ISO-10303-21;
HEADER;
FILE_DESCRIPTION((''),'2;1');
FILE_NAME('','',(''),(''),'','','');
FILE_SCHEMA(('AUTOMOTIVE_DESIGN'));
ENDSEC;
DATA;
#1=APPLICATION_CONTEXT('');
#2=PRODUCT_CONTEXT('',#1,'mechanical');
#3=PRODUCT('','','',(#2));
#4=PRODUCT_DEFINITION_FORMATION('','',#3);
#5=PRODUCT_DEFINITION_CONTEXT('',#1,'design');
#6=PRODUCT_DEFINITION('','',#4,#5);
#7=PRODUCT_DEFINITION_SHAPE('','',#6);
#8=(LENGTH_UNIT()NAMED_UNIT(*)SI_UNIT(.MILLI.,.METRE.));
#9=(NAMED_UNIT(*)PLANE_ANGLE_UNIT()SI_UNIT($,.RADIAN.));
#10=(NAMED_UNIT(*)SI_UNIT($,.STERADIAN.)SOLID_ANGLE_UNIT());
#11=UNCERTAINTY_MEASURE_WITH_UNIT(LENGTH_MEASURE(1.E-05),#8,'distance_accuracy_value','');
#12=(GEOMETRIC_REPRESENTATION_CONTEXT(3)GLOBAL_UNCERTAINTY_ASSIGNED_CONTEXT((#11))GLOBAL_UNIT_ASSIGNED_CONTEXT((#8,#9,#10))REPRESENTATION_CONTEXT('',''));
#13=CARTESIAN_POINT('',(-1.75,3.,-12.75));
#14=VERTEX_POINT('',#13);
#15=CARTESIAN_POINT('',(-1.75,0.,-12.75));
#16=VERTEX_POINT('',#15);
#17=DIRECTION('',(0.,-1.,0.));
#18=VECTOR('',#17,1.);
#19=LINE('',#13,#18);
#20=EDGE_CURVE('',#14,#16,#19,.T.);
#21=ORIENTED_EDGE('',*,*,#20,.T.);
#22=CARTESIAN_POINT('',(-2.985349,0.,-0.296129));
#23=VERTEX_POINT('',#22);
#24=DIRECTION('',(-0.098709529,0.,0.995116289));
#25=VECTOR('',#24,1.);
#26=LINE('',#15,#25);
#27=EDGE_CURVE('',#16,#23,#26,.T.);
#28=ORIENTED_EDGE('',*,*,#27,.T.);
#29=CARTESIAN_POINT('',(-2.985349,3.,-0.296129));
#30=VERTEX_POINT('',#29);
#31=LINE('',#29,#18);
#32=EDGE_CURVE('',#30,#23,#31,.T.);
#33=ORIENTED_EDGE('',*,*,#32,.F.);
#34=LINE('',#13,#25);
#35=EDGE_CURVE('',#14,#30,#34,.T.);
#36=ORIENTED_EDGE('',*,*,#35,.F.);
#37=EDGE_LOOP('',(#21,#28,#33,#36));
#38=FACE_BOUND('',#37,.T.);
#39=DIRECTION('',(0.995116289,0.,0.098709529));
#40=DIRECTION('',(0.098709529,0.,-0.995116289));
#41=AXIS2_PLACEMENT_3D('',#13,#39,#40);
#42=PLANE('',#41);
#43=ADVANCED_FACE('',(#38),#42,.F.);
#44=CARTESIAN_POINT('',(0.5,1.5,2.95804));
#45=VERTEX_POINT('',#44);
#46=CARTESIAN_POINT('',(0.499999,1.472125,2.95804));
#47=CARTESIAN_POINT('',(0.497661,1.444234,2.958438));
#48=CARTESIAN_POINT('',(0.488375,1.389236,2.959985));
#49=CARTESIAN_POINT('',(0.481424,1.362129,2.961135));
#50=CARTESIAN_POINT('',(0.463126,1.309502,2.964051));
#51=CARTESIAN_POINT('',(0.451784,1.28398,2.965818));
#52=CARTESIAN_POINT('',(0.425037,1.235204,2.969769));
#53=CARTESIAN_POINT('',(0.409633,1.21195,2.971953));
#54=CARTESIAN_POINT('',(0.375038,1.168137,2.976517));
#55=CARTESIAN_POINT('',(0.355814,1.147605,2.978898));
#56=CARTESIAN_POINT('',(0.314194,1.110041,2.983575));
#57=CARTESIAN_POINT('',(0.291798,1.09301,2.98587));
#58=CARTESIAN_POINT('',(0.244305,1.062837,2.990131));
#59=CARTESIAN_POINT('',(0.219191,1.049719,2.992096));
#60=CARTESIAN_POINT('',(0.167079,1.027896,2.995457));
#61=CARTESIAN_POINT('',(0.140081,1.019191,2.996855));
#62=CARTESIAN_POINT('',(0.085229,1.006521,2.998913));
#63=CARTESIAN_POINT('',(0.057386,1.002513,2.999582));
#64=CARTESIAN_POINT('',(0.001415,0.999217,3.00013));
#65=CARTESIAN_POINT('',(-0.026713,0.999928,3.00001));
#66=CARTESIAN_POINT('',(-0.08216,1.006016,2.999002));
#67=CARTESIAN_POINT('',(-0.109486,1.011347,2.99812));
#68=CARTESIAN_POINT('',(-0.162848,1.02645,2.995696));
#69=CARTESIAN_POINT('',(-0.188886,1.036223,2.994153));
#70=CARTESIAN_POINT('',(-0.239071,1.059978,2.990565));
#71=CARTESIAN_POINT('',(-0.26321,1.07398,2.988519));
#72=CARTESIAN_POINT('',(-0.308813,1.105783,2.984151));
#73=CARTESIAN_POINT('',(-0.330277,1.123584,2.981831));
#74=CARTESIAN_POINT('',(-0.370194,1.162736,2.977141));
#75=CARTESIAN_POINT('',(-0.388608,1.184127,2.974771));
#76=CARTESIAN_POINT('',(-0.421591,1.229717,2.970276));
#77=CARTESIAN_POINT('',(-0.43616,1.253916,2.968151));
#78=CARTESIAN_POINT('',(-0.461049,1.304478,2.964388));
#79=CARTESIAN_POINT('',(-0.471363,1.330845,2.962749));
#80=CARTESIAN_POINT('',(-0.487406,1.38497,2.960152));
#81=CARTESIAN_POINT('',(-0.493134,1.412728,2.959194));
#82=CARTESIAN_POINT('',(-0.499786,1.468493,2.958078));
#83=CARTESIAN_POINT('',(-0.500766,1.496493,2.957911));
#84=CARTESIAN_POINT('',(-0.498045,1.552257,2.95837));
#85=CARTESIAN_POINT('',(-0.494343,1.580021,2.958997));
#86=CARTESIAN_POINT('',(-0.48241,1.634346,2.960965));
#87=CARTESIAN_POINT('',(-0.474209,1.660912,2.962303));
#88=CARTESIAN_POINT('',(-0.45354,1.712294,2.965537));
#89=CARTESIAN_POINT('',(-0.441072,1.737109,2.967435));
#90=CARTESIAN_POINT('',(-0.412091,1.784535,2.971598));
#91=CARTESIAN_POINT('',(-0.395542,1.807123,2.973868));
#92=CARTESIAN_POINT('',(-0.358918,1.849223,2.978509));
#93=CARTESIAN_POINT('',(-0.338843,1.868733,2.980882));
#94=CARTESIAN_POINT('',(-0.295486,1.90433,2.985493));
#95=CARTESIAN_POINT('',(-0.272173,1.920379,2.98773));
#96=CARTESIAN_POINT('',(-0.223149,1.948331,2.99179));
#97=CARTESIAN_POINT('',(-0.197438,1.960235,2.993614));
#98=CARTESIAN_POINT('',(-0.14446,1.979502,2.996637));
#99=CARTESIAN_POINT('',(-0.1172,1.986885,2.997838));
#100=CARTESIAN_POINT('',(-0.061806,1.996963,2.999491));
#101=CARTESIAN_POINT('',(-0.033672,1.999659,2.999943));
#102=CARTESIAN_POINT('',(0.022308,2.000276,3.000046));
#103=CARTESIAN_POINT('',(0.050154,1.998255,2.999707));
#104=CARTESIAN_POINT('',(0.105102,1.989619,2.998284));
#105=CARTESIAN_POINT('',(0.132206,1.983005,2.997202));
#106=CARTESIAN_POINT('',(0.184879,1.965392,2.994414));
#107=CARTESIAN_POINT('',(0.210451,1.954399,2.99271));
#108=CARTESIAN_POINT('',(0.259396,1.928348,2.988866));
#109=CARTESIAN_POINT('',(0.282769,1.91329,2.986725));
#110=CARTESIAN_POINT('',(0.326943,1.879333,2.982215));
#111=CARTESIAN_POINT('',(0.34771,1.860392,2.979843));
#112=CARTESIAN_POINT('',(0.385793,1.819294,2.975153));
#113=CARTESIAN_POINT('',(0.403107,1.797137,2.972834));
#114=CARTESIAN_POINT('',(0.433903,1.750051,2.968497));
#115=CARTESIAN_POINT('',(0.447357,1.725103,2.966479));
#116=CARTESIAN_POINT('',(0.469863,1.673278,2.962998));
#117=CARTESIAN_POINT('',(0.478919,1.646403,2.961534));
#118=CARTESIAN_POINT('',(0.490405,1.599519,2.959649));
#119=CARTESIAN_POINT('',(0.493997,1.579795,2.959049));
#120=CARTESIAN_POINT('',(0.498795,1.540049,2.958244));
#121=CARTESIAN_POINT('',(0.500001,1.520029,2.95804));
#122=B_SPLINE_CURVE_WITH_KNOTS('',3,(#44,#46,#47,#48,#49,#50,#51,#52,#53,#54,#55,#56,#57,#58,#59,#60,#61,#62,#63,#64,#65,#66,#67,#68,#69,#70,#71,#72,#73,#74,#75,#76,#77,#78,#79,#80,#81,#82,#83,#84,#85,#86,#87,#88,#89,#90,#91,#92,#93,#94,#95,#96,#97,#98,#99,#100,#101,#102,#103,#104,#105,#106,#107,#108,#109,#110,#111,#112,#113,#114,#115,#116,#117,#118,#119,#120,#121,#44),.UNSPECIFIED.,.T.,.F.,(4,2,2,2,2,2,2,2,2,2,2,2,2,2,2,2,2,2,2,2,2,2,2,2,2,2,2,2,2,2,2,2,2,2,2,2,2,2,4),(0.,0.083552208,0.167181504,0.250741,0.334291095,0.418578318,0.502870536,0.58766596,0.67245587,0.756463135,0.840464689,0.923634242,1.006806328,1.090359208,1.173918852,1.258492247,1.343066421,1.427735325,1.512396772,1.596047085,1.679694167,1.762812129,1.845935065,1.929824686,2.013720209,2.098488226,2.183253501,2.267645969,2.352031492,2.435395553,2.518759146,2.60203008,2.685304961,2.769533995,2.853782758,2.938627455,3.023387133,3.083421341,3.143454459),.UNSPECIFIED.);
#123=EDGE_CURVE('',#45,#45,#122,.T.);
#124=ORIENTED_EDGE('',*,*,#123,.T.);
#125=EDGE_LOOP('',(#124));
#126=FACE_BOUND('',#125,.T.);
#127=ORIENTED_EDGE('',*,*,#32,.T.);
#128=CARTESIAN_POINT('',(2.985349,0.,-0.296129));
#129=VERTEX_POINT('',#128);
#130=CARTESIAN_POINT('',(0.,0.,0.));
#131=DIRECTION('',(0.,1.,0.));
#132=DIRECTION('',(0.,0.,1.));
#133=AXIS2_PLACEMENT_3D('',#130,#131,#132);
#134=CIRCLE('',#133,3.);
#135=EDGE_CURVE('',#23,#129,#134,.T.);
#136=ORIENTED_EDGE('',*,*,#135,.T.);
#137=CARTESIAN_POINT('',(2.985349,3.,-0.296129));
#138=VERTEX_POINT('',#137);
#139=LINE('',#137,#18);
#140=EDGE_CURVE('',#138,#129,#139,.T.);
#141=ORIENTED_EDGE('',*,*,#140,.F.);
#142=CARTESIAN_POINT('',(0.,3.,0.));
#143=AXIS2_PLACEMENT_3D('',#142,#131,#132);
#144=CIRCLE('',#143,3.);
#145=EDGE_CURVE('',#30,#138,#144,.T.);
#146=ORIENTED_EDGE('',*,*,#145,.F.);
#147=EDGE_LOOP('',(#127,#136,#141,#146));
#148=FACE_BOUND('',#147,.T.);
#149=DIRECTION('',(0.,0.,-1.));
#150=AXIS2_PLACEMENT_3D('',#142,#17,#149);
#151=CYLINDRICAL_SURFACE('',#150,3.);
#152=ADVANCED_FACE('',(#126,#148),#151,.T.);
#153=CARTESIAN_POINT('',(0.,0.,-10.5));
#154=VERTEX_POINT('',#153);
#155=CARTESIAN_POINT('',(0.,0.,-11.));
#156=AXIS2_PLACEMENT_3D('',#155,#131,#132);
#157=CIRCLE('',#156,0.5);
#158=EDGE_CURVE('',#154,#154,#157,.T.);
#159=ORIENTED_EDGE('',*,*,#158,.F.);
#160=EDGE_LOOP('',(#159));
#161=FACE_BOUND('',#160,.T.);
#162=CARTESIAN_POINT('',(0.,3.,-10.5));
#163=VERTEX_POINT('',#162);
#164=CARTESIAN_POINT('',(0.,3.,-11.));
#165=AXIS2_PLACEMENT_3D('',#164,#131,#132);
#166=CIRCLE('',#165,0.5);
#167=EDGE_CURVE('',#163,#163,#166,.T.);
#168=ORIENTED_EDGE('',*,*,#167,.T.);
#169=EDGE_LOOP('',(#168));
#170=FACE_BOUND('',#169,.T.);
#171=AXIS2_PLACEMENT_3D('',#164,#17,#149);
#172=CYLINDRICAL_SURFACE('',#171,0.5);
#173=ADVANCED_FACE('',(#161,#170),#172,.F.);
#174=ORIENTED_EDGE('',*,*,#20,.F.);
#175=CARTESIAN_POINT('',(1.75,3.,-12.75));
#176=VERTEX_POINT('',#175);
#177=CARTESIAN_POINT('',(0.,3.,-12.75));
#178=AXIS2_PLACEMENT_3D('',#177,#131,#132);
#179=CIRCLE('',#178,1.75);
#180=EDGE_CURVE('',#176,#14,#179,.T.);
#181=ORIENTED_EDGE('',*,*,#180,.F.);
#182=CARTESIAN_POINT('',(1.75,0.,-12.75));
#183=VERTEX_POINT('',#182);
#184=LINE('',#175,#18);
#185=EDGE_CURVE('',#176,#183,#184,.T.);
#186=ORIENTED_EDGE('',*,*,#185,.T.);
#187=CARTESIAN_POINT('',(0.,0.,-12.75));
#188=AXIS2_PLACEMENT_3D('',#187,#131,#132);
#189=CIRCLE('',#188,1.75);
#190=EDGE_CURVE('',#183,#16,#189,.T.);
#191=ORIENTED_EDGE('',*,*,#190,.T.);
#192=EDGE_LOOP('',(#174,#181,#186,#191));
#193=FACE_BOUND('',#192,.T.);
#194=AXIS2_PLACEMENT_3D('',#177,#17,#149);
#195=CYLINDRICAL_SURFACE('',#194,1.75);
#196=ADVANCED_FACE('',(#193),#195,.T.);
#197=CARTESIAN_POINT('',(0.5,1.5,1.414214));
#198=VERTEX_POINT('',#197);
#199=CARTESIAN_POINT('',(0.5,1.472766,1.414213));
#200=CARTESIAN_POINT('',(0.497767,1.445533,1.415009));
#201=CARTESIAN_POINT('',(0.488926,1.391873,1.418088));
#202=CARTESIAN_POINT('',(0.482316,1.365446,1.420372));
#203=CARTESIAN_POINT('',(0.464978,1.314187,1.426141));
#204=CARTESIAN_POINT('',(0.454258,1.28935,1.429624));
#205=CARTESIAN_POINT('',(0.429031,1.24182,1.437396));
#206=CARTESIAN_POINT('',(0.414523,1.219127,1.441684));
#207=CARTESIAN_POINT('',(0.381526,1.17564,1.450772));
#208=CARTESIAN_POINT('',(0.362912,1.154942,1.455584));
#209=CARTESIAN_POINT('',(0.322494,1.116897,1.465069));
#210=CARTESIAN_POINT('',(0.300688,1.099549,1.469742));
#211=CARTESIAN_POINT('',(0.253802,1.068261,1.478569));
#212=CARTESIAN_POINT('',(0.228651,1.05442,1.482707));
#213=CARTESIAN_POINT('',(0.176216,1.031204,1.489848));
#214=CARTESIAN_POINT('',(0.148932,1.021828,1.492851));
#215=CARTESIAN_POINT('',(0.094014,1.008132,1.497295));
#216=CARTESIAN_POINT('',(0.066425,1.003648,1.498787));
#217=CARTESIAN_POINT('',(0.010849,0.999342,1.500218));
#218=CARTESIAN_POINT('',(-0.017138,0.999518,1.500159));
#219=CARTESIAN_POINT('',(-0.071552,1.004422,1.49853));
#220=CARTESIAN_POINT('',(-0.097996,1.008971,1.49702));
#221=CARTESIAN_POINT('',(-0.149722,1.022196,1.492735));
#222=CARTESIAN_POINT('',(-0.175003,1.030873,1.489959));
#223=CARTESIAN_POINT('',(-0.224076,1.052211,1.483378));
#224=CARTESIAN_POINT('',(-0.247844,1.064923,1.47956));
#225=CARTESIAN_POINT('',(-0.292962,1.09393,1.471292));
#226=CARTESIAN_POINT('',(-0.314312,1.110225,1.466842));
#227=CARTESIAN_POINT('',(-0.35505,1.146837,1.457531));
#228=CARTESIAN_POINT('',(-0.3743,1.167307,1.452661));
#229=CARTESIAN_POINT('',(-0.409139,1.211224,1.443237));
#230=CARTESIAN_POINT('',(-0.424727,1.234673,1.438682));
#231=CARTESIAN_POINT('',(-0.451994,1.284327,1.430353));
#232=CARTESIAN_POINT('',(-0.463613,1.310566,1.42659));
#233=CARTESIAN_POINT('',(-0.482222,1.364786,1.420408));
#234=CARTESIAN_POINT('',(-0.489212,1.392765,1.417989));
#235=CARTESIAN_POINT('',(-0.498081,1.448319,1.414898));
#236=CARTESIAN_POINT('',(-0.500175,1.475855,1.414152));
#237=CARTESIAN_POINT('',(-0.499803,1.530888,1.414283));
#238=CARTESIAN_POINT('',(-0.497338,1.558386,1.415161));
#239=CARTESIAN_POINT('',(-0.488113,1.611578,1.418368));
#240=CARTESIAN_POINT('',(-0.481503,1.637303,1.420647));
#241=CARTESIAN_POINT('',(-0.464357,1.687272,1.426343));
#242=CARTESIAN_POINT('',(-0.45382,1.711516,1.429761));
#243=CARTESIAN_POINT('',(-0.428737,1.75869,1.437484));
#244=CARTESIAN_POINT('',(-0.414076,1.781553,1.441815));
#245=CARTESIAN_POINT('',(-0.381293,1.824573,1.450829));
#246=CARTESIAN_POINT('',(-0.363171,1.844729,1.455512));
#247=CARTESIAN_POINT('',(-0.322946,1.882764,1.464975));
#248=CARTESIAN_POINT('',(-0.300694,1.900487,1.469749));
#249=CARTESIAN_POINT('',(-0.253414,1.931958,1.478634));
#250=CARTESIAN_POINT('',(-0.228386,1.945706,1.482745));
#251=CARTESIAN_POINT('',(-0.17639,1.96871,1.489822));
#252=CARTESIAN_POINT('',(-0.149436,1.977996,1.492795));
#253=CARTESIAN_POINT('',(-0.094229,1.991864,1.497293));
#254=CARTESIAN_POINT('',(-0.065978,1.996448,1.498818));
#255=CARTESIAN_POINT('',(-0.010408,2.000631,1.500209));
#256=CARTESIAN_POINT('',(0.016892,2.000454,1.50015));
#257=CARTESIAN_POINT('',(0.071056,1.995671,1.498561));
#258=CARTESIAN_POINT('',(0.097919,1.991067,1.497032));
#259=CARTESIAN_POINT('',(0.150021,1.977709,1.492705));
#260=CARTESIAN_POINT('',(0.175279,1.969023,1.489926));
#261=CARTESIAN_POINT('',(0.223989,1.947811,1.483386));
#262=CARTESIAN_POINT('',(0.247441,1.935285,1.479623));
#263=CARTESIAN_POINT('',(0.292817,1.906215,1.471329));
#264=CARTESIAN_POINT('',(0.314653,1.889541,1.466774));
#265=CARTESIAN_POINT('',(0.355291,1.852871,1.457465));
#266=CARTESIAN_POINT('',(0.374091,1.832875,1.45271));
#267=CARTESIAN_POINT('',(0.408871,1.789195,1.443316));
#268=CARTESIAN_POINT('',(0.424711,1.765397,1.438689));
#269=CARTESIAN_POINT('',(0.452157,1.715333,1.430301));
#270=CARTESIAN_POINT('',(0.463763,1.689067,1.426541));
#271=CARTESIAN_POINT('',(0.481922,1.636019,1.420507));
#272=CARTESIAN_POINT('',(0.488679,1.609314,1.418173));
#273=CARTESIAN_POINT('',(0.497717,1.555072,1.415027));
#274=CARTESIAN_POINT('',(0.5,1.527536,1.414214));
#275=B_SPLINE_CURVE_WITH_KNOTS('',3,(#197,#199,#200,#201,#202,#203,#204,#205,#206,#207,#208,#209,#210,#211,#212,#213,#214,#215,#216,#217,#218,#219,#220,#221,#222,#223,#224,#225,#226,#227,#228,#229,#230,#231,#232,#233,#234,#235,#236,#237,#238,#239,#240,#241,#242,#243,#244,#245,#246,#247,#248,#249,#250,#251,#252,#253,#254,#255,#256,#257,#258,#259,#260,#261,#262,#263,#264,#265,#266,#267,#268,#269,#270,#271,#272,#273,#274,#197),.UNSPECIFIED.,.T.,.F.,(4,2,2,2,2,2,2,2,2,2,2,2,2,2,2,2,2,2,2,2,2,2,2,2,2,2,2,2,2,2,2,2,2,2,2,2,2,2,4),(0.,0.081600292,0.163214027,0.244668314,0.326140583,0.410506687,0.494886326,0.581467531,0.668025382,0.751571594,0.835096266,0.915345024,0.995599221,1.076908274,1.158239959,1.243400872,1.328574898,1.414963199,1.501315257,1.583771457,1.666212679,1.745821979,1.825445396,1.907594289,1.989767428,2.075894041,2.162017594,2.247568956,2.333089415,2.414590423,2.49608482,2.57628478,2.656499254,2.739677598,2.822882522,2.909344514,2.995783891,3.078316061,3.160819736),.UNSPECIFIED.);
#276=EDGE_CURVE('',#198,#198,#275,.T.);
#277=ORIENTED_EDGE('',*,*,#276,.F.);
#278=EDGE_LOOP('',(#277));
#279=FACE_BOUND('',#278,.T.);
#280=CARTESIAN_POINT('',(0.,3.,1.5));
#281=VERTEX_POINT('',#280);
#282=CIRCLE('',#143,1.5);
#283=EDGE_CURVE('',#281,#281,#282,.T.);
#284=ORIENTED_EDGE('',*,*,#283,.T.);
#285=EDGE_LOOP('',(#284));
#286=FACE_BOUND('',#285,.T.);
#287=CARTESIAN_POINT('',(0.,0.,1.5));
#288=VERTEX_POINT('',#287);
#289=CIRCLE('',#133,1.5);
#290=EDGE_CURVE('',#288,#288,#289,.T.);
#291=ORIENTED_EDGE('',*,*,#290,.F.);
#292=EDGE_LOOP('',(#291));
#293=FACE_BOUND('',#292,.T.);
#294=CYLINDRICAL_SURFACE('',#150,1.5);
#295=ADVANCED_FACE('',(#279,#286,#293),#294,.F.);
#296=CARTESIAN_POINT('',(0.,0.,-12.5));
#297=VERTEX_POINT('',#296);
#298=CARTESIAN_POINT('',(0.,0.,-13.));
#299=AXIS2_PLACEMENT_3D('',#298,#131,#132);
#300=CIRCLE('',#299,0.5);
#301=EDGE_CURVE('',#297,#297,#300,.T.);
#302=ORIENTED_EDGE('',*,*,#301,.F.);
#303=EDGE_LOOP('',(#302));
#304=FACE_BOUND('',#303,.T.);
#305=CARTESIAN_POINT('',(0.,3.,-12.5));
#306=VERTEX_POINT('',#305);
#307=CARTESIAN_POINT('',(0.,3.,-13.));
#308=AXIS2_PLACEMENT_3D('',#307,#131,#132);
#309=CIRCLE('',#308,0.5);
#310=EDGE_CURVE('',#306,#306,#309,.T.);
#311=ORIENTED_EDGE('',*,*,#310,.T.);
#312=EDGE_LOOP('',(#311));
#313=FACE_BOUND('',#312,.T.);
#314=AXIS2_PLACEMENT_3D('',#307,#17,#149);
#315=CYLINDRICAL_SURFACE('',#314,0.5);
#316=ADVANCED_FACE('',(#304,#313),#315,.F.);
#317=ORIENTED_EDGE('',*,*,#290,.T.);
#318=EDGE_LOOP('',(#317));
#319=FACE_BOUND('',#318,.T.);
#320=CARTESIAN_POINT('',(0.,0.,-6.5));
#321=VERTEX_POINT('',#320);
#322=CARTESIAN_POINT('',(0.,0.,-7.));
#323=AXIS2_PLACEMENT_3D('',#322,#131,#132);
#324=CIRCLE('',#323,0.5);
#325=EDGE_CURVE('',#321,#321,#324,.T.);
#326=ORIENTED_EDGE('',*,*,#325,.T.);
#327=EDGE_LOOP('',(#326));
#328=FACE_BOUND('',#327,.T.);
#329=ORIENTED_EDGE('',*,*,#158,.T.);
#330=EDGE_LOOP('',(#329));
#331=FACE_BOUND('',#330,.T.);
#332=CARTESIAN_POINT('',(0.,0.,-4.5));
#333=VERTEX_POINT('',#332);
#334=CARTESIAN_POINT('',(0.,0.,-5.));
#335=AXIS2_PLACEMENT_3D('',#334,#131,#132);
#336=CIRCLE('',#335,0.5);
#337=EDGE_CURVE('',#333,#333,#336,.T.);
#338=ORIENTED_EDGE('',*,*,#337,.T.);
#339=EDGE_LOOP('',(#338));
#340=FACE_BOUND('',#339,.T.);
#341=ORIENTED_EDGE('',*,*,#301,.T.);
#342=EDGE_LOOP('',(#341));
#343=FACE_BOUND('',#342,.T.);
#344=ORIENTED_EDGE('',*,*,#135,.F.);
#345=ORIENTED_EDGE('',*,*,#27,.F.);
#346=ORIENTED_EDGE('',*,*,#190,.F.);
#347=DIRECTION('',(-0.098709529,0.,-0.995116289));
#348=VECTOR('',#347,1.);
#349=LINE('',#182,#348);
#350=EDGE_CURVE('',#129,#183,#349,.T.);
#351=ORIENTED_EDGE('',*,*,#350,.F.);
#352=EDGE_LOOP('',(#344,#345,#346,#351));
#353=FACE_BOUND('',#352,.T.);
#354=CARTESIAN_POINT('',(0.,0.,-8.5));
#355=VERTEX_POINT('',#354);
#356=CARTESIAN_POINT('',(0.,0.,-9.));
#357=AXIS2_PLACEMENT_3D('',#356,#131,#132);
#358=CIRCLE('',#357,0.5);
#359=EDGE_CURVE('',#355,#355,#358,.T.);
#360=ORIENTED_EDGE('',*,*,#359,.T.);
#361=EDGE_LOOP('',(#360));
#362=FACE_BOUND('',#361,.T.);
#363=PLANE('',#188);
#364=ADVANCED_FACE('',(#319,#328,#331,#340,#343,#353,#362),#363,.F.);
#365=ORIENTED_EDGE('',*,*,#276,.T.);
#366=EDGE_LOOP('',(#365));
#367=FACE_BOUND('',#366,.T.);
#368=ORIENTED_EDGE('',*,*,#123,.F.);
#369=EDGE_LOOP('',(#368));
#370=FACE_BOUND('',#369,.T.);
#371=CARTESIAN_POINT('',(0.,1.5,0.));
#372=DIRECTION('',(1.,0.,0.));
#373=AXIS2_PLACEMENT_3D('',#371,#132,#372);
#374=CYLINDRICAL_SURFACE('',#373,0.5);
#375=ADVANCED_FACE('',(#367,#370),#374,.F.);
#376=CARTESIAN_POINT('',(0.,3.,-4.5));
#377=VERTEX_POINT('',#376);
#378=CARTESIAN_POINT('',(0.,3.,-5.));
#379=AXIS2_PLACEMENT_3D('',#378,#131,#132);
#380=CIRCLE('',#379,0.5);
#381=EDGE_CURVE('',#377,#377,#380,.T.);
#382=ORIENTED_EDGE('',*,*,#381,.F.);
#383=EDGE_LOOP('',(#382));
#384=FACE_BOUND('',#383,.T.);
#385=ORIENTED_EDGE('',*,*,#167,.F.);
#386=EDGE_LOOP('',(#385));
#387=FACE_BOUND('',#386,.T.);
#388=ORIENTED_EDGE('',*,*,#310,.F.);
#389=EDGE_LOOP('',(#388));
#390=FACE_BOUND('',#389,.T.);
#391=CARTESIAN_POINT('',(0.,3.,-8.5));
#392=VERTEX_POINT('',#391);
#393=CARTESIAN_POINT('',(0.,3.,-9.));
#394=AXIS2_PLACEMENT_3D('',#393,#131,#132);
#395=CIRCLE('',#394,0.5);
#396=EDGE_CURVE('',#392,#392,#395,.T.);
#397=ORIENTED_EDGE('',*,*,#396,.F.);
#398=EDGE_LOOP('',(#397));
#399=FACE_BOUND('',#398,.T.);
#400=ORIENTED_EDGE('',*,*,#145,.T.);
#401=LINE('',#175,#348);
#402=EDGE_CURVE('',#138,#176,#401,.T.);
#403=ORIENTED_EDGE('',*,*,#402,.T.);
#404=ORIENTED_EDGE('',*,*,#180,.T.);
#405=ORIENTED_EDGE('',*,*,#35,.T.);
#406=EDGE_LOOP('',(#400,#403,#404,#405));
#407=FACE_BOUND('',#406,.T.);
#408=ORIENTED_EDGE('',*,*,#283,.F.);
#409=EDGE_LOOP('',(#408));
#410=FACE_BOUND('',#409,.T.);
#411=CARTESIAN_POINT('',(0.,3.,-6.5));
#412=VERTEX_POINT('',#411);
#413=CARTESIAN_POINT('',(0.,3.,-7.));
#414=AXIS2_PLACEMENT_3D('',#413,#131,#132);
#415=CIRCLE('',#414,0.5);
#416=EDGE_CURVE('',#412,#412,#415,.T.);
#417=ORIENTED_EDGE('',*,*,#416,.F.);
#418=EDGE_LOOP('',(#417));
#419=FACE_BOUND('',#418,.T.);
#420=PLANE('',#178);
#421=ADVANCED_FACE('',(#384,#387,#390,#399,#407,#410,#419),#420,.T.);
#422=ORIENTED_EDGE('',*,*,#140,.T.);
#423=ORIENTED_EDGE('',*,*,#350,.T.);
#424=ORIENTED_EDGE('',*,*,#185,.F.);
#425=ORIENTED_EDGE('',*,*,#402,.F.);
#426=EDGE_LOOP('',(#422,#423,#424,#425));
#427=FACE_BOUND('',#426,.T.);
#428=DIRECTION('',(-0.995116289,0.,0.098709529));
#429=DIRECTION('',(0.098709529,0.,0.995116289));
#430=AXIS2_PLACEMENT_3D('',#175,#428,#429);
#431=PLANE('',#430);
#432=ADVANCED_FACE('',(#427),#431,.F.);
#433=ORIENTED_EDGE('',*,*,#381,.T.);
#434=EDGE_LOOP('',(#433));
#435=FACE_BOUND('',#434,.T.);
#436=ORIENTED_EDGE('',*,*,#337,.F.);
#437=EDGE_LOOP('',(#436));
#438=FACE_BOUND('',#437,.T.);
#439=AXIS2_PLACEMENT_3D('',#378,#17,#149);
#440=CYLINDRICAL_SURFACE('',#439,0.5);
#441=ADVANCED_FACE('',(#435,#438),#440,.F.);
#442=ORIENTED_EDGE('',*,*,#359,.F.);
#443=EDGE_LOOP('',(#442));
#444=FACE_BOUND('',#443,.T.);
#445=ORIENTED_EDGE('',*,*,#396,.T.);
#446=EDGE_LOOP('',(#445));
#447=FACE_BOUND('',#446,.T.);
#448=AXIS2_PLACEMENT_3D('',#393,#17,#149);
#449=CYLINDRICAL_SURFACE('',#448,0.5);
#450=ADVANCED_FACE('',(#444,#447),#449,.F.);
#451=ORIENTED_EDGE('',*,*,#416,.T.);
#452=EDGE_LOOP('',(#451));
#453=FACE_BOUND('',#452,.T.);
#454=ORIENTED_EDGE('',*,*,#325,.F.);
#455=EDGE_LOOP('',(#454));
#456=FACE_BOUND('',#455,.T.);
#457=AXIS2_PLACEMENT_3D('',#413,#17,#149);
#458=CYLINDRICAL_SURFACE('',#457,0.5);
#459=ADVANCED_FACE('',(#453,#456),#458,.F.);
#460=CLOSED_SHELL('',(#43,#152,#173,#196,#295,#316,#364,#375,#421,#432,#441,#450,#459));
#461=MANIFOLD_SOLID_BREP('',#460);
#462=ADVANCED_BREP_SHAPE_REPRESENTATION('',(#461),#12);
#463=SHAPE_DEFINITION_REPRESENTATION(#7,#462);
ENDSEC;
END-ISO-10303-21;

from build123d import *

# Parameters (mm, degrees)
SKETCH1_R           = 1.5
SKETCH1_R_2         = 0.5
BOSS_EXTRUDE1_DEPTH = 3
SKETCH2_R           = 0.5
CUT_EXTRUDE1_DEPTH  = 3


with BuildPart() as part:
    # Sketch1 → Boss-Extrude1 (new body)
    with BuildSketch(Plane(origin=(0, 0, 0), x_dir=(1, 0, 0), z_dir=(0, 1, 0))):
        with BuildLine():
            Line((-1.75, 12.75), (-2.985348867, 0.296128587))
            ThreePointArc((-2.985348867, 0.296128587), (0, -3), (2.985348867, 0.296128587))
            Line((2.985348867, 0.296128587), (1.75, 12.75))
            ThreePointArc((1.75, 12.75), (0, 14.5), (-1.75, 12.75))
        make_face()
        Circle(SKETCH1_R, mode=Mode.SUBTRACT)
        with Locations((0, 5)):
            Circle(SKETCH1_R_2, mode=Mode.SUBTRACT)
        with Locations((0, 7)):
            Circle(SKETCH1_R_2, mode=Mode.SUBTRACT)
        with Locations((0, 9)):
            Circle(SKETCH1_R_2, mode=Mode.SUBTRACT)
        with Locations((0, 11)):
            Circle(SKETCH1_R_2, mode=Mode.SUBTRACT)
        with Locations((0, 13)):
            Circle(SKETCH1_R_2, mode=Mode.SUBTRACT)
    extrude(amount=BOSS_EXTRUDE1_DEPTH)

    # Sketch2 → Cut-Extrude1 (cut)
    with BuildSketch(Plane.XY.offset(3)):
        with Locations((0, 1.5)):
            Circle(SKETCH2_R)
    extrude(amount=-CUT_EXTRUDE1_DEPTH, mode=Mode.SUBTRACT)


solid = part.part
